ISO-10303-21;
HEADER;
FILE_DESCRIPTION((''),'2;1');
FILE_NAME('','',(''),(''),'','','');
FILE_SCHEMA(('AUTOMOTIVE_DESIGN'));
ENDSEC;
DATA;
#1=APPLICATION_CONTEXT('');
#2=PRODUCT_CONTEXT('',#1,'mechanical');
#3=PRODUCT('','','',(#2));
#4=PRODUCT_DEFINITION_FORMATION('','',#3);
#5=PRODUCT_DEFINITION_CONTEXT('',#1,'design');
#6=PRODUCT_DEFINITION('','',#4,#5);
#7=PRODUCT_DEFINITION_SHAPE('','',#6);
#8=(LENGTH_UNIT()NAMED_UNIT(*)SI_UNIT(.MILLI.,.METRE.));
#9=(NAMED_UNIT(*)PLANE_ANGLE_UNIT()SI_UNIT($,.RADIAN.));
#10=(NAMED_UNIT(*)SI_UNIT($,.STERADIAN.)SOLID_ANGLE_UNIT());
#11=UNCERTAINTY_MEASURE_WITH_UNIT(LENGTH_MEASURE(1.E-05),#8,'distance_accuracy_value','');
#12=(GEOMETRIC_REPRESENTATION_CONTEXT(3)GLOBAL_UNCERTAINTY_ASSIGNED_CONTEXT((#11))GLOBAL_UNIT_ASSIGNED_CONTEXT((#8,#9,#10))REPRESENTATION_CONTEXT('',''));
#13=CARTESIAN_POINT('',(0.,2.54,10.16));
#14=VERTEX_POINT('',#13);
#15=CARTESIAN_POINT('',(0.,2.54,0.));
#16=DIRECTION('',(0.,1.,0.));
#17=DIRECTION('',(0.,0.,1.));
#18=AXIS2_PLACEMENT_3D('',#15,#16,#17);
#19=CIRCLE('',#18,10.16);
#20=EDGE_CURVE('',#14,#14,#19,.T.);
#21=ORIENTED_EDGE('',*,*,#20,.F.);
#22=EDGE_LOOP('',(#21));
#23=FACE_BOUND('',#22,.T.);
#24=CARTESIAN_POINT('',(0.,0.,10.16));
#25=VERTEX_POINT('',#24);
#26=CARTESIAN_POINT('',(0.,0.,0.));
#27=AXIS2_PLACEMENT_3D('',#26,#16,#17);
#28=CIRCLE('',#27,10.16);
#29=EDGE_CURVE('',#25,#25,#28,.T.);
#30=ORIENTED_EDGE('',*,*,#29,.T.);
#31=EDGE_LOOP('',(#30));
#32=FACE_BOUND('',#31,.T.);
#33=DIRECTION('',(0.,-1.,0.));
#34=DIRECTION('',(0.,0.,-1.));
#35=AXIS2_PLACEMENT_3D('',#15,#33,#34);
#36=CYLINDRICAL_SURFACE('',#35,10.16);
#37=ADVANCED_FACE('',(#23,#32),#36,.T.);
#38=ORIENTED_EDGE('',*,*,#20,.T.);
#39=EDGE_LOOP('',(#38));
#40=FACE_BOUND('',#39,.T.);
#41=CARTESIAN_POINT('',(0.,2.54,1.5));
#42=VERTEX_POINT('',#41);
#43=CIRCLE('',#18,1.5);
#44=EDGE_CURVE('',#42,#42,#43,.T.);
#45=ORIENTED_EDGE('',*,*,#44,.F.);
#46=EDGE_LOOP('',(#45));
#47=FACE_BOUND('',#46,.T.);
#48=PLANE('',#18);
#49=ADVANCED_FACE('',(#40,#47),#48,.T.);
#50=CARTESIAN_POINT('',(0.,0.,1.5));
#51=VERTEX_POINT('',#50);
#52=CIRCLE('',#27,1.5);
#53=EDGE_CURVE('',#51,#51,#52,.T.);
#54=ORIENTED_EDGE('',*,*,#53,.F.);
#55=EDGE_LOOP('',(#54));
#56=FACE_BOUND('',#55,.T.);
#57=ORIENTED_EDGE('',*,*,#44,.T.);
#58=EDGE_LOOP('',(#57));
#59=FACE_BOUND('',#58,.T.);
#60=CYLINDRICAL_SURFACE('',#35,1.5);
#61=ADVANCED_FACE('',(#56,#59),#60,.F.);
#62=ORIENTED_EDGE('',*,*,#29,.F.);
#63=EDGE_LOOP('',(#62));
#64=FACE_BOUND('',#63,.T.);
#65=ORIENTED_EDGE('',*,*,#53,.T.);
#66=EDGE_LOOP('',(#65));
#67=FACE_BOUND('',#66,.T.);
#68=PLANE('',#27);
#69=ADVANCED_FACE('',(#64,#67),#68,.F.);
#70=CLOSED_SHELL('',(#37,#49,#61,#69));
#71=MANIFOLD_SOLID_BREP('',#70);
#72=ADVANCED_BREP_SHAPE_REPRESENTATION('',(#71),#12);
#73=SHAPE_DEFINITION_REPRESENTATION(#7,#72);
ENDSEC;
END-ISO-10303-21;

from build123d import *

# Parameters (mm, degrees)
SKETCH1_R           = 10.16
SKETCH1_R_2         = 1.5
BOSS_EXTRUDE1_DEPTH = 2.54


with BuildPart() as part:
    # Sketch1 → Boss-Extrude1 (new body)
    with BuildSketch(Plane(origin=(0, 0, 0), x_dir=(1, 0, 0), z_dir=(0, 1, 0))):
        with Locations(Location((0, 0, 0), (0, 0, 270))):
            Circle(SKETCH1_R)
        with Locations(Location((0, 0, 0), (0, 0, 270))):
            Circle(SKETCH1_R_2, mode=Mode.SUBTRACT)
    extrude(amount=BOSS_EXTRUDE1_DEPTH)


solid = part.part
